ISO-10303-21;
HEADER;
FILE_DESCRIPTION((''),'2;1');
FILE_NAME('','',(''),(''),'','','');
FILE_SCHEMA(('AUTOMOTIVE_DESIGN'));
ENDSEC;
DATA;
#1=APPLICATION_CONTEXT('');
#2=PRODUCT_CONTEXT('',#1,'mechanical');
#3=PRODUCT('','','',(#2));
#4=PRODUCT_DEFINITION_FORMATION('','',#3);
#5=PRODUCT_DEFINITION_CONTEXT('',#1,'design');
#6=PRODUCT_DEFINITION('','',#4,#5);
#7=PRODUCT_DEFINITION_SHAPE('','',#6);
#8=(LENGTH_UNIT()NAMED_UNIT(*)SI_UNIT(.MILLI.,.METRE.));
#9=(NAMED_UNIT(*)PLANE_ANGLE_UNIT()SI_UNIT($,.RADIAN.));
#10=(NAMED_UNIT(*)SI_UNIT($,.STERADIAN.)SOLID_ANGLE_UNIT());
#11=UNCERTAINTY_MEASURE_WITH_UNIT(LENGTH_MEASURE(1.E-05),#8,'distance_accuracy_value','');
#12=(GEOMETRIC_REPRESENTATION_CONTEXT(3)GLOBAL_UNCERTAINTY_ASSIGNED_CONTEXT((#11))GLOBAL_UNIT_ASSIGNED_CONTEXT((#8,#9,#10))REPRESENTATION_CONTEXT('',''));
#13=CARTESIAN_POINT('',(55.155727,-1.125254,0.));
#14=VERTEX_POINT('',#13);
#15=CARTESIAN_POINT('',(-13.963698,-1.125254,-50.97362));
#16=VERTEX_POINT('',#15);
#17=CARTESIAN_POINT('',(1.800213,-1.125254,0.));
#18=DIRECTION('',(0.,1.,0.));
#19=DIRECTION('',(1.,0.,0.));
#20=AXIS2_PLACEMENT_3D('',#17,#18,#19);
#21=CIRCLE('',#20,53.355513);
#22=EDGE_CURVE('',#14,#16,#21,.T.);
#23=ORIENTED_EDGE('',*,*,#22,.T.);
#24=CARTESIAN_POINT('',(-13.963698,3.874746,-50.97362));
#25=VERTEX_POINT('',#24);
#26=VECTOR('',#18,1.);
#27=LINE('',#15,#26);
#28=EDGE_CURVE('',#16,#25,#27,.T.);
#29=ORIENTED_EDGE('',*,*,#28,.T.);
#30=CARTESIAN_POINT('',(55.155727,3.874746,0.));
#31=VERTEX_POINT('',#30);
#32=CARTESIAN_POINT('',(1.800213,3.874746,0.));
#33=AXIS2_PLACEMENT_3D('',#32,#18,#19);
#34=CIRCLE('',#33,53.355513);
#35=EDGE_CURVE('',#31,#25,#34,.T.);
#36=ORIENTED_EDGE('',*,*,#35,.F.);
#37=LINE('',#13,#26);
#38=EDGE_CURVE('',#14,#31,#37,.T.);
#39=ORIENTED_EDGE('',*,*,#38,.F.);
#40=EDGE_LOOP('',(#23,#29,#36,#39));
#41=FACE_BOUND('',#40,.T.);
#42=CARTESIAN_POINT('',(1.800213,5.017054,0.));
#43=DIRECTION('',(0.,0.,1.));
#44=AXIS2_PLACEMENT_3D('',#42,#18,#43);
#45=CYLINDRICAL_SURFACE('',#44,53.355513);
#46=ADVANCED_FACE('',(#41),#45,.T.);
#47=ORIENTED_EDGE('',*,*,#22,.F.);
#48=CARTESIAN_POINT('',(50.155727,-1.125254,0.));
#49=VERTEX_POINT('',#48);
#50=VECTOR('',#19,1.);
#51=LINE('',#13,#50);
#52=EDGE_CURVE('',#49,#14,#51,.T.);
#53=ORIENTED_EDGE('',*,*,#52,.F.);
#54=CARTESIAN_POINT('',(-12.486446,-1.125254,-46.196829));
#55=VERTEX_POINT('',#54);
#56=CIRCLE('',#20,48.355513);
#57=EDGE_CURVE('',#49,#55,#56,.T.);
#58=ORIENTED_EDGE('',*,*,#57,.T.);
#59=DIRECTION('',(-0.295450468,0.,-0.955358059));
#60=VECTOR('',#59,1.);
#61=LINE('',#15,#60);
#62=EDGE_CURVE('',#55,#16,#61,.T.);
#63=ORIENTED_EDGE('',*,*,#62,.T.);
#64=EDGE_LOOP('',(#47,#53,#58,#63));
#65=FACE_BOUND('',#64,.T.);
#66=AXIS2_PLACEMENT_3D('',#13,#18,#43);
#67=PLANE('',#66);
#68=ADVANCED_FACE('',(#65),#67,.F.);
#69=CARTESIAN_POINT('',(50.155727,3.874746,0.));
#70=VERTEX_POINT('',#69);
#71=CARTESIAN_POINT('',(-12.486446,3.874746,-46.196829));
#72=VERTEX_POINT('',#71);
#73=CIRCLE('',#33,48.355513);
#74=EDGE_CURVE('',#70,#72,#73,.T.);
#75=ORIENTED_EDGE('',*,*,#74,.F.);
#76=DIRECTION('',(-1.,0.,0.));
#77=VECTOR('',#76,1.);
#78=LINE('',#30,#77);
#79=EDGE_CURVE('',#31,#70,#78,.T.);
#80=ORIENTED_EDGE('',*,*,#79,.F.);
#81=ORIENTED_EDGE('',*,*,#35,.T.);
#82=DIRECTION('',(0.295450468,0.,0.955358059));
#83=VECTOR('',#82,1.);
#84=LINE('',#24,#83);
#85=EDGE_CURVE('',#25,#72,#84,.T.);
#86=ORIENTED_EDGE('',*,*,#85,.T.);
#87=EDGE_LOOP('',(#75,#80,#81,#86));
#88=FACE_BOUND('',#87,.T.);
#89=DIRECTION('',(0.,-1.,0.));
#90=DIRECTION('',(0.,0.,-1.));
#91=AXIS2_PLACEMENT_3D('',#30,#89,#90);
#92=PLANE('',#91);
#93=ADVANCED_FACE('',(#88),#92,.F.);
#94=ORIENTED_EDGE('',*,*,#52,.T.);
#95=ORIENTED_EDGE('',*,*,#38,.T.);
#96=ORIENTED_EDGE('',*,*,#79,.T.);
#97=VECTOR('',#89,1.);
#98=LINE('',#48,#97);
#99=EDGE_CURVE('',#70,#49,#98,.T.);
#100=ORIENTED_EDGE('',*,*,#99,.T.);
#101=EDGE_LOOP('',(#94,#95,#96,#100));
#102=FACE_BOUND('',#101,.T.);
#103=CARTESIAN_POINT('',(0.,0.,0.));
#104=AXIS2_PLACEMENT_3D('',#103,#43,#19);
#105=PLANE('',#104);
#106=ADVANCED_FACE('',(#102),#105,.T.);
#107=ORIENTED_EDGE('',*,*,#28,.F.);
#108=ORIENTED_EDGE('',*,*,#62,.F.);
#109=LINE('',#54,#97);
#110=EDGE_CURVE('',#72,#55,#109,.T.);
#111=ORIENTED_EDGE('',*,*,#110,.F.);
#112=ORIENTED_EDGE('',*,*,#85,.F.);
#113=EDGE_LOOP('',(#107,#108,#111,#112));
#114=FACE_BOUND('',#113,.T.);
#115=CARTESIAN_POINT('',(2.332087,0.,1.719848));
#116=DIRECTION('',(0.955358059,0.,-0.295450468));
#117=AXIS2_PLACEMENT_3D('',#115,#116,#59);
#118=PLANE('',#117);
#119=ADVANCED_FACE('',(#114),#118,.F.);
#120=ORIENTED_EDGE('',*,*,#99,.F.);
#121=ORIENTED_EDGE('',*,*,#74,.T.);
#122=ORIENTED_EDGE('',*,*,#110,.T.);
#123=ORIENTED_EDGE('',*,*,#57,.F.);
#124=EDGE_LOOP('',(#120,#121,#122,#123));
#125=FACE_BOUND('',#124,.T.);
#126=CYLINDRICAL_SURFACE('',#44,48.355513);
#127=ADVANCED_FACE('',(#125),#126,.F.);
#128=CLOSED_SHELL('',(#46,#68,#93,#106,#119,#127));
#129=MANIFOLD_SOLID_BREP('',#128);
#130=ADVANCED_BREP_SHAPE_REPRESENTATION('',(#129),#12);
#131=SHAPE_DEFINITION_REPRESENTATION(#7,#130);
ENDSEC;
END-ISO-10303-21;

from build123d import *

# Parameters (mm, degrees)
SKETCH1_W = 5
SKETCH1_H = 5


with BuildPart() as part:
    # Sweep1: sweep along a path in Sketch3
    with BuildLine(Plane(origin=(0, 5.017053677, 0), x_dir=(1, 0, 0), z_dir=(0, 1, 0))) as sweep1_path:
        ThreePointArc((42.800213466, 0), (26.134836566, 32.997365327), (-10.313255731, 39.169680418))
    # Sketch1 → Sweep1 (sweep)
    with BuildSketch(Plane.XY):
        with Locations((52.655726896, 1.374746178)):
            Rectangle(SKETCH1_W, SKETCH1_H)
    sweep(path=sweep1_path.line)


solid = part.part
